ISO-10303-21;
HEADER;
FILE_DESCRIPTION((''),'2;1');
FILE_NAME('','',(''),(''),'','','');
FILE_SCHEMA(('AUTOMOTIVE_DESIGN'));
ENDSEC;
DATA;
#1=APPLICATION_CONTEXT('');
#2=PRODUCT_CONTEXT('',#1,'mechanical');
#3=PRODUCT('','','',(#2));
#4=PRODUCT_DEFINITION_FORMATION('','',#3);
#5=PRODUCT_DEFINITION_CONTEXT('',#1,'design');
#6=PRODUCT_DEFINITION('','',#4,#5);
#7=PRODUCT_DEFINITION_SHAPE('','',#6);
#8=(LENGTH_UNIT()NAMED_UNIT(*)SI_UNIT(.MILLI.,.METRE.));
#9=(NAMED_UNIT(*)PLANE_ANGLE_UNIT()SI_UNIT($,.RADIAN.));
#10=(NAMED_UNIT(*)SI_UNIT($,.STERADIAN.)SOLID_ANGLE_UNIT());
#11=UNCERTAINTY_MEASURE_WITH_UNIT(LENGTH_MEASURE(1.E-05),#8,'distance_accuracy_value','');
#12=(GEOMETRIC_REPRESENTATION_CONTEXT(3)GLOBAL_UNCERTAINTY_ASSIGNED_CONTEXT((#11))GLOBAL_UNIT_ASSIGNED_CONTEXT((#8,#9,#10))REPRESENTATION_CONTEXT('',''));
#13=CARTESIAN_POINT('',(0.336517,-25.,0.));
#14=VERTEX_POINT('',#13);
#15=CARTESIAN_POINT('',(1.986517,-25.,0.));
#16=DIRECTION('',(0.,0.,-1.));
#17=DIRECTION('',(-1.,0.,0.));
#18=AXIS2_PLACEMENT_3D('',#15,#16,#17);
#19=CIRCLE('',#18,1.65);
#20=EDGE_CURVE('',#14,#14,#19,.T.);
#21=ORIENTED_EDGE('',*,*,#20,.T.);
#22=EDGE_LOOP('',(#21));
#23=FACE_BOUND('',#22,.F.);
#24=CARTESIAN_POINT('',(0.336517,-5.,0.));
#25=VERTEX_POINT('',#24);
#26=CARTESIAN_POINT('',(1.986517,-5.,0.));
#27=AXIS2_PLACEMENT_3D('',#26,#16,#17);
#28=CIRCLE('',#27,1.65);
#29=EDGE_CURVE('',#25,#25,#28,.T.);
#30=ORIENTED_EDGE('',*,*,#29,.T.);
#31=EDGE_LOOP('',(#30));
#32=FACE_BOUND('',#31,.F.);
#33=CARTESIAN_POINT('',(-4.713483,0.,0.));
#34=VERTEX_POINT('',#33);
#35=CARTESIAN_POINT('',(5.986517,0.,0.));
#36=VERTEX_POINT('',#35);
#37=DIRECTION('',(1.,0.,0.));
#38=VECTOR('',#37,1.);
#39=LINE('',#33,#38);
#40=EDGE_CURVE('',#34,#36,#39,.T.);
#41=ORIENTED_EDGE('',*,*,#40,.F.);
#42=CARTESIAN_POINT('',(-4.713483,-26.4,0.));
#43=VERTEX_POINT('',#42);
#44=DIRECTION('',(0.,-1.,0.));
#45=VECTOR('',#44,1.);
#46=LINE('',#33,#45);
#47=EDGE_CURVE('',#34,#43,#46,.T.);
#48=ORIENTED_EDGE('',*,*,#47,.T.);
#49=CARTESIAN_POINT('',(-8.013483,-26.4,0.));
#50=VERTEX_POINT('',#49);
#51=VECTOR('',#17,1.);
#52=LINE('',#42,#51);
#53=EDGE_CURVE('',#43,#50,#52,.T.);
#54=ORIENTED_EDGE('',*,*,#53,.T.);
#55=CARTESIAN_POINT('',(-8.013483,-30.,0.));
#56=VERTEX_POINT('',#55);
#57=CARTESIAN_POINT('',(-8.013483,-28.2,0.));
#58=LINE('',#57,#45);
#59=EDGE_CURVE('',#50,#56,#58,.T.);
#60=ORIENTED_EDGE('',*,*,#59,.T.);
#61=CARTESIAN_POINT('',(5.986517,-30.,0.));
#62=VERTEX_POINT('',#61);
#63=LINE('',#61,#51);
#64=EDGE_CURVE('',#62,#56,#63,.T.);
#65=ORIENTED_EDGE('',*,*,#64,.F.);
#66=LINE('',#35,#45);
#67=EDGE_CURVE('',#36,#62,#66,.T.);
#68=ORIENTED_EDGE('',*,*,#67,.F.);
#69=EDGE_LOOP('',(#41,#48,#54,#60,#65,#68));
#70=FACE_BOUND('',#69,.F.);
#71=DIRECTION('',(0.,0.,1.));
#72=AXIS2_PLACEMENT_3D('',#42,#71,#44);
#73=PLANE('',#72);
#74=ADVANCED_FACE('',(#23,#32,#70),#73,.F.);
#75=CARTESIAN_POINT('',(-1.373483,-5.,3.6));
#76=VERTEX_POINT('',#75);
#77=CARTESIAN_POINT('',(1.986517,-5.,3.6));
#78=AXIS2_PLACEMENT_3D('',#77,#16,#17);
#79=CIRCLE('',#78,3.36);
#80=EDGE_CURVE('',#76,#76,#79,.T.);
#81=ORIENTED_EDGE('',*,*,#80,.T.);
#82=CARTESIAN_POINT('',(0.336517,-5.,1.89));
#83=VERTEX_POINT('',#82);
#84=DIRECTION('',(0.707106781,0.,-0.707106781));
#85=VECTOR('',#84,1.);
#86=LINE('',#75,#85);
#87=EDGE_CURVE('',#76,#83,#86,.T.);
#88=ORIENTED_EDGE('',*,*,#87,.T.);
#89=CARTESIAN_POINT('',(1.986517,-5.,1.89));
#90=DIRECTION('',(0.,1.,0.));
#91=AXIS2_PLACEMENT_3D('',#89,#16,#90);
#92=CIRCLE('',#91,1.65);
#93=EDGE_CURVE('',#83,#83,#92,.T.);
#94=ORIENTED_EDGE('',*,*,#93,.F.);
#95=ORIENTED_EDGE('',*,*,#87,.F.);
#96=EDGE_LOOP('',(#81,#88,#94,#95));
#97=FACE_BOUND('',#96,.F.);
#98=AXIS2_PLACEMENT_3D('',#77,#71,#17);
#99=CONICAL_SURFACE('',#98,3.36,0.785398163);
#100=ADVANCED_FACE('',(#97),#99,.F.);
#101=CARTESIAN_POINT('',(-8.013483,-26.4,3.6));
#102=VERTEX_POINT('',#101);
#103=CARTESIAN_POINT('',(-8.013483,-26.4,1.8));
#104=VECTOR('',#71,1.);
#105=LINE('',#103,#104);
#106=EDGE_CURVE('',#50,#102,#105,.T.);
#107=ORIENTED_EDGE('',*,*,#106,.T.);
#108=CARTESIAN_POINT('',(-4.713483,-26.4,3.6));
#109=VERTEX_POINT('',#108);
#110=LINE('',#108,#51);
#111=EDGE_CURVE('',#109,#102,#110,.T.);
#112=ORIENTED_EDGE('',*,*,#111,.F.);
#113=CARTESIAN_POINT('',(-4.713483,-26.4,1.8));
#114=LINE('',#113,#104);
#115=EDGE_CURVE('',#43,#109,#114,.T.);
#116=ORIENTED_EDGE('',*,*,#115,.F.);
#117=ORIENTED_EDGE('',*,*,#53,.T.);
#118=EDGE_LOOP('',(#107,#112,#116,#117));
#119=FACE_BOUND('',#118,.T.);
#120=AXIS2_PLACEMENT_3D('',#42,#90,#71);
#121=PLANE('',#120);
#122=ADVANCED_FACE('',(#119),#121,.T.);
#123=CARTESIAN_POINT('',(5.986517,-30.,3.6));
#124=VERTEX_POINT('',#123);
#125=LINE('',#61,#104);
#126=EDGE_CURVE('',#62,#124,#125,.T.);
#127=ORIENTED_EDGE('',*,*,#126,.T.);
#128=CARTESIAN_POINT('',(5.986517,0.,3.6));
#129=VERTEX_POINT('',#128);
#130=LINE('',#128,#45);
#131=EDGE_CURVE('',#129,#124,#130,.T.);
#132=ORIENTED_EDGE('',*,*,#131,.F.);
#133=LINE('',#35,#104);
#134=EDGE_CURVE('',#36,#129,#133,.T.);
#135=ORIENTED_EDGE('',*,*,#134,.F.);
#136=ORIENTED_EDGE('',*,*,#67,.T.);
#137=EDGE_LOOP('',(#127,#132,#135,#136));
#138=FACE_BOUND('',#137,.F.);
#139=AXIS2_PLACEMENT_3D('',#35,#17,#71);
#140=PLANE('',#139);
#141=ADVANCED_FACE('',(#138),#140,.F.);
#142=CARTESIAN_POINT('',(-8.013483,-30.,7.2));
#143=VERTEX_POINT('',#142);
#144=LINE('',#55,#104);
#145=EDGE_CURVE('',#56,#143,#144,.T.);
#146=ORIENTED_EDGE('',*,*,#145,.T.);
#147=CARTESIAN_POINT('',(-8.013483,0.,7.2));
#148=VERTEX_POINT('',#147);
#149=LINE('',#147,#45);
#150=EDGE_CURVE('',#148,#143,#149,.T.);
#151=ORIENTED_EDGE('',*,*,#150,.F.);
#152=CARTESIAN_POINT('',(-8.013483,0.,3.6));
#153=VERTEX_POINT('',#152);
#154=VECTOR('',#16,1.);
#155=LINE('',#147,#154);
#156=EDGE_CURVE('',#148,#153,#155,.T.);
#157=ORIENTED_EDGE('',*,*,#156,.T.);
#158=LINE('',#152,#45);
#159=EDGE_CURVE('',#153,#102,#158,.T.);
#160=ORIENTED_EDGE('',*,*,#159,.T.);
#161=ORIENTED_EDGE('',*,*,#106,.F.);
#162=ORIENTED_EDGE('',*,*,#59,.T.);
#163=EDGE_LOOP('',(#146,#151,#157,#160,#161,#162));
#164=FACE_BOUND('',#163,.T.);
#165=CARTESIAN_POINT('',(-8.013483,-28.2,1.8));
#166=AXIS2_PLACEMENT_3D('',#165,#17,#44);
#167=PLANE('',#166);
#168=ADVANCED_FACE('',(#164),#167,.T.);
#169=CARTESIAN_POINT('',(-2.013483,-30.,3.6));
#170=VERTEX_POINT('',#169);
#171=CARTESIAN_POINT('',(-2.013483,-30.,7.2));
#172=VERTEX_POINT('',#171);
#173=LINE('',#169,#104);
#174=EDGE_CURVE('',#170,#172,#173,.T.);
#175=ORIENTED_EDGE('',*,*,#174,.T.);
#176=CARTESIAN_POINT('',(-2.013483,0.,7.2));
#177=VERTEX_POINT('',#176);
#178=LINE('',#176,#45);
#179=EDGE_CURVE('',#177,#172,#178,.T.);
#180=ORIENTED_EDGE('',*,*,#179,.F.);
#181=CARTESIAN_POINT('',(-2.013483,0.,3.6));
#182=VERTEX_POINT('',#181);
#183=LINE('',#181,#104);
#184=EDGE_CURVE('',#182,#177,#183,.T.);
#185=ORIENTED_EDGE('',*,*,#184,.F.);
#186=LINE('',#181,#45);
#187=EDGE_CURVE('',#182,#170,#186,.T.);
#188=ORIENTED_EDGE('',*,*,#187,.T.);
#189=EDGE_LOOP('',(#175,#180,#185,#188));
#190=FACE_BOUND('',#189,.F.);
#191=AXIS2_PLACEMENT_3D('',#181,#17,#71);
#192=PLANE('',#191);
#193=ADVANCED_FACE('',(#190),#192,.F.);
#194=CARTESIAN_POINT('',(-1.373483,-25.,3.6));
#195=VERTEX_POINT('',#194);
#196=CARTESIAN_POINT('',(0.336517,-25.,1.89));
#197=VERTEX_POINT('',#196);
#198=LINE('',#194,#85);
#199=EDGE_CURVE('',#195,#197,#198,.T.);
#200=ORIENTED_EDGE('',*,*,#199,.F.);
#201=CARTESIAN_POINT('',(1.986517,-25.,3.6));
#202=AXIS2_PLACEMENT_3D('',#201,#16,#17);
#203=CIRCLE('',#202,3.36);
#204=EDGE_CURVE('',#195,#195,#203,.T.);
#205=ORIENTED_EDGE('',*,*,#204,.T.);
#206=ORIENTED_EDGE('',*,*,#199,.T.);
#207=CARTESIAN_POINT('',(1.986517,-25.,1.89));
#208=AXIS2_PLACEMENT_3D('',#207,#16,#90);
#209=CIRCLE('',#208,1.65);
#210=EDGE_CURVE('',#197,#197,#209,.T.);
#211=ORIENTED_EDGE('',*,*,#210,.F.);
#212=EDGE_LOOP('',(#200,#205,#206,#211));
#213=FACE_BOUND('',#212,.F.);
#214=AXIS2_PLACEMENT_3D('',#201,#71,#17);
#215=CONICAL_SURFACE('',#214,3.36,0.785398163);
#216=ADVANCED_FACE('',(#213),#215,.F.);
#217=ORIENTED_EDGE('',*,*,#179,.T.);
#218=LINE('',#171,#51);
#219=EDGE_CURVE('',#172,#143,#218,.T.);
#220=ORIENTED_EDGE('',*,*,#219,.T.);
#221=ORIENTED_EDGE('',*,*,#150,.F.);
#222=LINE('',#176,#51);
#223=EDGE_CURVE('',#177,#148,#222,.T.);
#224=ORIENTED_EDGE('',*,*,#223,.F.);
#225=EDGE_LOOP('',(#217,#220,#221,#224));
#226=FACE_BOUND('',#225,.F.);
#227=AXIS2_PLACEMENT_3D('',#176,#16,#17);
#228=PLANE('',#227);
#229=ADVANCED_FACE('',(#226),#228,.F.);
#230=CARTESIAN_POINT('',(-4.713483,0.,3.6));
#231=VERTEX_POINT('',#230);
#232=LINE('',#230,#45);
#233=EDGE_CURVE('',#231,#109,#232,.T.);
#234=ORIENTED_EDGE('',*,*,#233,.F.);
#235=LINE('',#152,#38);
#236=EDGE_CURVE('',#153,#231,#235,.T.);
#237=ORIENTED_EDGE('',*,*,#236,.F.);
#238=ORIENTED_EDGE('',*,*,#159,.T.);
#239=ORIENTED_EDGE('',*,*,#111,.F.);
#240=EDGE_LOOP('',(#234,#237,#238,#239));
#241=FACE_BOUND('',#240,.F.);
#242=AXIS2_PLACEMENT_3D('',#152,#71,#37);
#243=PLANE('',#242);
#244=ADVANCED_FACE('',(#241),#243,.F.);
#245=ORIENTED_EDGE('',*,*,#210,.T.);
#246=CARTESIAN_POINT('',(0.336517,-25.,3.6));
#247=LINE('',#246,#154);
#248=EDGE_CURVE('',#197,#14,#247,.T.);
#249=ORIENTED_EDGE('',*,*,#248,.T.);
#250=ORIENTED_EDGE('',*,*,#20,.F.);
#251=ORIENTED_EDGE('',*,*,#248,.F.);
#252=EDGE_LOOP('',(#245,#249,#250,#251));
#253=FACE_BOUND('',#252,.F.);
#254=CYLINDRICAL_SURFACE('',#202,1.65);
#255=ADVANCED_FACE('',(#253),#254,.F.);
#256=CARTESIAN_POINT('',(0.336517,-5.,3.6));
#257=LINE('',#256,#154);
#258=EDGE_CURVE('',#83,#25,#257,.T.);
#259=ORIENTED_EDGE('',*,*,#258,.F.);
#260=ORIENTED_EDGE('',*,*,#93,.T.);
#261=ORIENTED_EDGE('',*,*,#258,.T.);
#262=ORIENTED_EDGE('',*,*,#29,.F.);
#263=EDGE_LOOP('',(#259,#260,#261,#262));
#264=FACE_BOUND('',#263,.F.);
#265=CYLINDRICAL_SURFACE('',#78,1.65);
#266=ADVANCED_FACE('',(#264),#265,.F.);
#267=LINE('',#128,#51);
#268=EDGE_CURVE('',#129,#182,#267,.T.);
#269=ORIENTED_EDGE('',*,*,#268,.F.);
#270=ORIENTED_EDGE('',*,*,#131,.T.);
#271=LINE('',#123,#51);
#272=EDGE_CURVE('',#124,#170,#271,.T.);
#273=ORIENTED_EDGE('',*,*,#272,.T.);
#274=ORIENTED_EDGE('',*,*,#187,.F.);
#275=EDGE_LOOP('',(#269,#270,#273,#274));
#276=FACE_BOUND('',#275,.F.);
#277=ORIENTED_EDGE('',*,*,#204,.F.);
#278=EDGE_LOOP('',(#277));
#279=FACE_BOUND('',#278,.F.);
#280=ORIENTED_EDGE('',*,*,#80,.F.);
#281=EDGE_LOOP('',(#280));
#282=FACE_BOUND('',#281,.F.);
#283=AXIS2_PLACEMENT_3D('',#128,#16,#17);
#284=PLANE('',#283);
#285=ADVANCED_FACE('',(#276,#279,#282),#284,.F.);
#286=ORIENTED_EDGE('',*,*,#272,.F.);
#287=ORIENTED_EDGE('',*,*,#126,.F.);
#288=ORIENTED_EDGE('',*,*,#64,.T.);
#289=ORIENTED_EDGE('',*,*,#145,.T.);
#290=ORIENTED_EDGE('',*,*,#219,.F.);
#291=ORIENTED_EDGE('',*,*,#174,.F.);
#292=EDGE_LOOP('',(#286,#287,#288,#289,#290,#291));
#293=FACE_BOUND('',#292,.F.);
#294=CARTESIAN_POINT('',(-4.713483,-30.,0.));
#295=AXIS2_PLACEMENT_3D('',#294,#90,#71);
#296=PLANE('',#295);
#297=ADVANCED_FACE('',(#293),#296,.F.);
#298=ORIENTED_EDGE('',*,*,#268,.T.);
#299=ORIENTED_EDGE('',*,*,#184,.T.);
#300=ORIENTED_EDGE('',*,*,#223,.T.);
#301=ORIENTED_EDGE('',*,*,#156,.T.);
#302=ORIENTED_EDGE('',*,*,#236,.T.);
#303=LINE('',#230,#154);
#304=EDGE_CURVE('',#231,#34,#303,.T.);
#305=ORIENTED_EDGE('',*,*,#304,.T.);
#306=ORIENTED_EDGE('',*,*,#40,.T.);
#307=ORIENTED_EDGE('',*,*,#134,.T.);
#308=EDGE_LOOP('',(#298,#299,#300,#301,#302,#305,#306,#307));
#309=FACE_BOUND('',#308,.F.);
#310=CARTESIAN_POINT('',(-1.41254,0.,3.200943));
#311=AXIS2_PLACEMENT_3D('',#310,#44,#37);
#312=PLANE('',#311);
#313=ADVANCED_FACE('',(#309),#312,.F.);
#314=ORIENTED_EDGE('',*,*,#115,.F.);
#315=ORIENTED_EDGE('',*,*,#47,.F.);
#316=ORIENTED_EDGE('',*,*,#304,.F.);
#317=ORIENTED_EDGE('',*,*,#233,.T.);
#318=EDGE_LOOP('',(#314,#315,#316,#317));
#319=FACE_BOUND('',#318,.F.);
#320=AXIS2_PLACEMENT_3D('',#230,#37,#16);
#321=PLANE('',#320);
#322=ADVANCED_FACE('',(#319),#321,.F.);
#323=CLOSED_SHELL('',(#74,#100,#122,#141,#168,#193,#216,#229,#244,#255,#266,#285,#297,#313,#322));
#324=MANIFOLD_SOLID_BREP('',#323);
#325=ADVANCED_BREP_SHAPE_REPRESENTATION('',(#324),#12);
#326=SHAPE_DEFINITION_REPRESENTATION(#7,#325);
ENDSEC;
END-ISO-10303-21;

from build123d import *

# Parameters (mm, degrees)
F1_DEPTH       = 30
F3_D           = 3.3
F3_CSINK_D     = 6.72
F3_CSINK_ANGLE = 90
F4_W           = 3.6
F4_H           = 3.6
F5_DEPTH       = 3.3


with BuildPart() as f1:
    # F0 (on Front) → F1 (new body)
    with BuildSketch(Plane.XZ):
        Polygon((-4.7134831967, 0), (5.9865168033, 0), (5.9865168033, 3.6), (-2.0134831967, 3.6), (-2.0134831967, 7.2), (-8.0134831967, 7.2), (-8.0134831967, 3.6), (-4.7134831967, 3.6), align=None)
    extrude(amount=F1_DEPTH)

    # F3 (through all)
    with Locations(Plane.XY.offset(3.6)):
        with Locations((1.9865168033, -5), (1.9865168033, -25)):
            CounterSinkHole(F3_D / 2, F3_CSINK_D / 2, counter_sink_angle=F3_CSINK_ANGLE)

    # F4 (on face) → F5 (join, through all)
    with BuildSketch(Plane(origin=(-4.7134831967, 0, 0), x_dir=(0, -1, 0), z_dir=(-1, 0, 0))):
        with Locations((28.2, 1.8)):
            Rectangle(F4_W, F4_H)
    extrude(amount=F5_DEPTH)


solid = f1.part
